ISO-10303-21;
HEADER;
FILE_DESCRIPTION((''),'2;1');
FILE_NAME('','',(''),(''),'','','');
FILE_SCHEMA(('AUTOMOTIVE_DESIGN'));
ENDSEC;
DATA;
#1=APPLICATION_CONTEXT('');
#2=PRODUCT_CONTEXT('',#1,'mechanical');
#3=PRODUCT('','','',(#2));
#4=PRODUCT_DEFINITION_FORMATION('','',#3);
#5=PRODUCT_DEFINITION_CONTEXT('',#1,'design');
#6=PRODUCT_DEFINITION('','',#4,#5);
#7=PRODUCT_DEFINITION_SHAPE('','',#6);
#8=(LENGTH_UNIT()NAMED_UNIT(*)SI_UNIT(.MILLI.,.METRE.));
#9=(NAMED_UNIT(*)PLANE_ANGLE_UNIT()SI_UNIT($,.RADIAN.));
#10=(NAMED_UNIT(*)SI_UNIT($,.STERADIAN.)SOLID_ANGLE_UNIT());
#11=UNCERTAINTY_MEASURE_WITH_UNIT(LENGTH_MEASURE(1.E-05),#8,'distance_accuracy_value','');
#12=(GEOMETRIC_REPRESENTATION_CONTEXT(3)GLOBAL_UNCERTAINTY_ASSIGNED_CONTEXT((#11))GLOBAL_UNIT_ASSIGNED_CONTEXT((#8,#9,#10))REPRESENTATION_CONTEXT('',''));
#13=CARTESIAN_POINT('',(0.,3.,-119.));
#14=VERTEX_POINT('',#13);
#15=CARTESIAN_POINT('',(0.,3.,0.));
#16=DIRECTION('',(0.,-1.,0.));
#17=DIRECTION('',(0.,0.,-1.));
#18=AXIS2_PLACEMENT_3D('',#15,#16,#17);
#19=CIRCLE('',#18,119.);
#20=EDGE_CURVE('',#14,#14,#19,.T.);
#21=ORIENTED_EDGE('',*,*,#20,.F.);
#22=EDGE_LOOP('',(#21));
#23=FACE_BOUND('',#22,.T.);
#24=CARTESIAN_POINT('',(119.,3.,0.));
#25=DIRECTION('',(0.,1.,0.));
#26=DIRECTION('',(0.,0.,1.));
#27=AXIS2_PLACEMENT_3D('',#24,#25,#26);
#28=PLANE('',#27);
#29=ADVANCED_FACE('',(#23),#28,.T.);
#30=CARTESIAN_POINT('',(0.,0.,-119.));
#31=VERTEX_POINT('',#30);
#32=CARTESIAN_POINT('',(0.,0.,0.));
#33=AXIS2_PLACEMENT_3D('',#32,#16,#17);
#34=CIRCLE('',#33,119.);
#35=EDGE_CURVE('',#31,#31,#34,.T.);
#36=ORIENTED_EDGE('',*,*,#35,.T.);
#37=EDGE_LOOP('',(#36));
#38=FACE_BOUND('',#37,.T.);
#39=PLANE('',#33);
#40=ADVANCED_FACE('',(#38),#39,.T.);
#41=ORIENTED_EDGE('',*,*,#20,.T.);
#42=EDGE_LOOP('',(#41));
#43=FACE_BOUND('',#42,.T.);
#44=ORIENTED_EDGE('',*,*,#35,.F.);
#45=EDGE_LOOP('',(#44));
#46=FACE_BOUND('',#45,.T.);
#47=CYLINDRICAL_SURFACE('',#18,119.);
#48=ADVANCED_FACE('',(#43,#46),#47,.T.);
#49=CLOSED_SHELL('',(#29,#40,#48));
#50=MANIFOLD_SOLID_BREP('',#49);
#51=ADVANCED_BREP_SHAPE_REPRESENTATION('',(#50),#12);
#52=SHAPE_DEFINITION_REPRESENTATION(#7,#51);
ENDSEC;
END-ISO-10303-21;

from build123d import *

# Parameters (mm, degrees)
SKETCH1_W = 119
SKETCH1_H = 3


with BuildPart() as part:
    # Sketch1 → Revolve1 (revolve)
    with BuildSketch(Plane.XY):
        with Locations((59.5, 1.5)):
            Rectangle(SKETCH1_W, SKETCH1_H)
    revolve(axis=Axis((0, 3, 0), (0, -1, 0)))


solid = part.part
